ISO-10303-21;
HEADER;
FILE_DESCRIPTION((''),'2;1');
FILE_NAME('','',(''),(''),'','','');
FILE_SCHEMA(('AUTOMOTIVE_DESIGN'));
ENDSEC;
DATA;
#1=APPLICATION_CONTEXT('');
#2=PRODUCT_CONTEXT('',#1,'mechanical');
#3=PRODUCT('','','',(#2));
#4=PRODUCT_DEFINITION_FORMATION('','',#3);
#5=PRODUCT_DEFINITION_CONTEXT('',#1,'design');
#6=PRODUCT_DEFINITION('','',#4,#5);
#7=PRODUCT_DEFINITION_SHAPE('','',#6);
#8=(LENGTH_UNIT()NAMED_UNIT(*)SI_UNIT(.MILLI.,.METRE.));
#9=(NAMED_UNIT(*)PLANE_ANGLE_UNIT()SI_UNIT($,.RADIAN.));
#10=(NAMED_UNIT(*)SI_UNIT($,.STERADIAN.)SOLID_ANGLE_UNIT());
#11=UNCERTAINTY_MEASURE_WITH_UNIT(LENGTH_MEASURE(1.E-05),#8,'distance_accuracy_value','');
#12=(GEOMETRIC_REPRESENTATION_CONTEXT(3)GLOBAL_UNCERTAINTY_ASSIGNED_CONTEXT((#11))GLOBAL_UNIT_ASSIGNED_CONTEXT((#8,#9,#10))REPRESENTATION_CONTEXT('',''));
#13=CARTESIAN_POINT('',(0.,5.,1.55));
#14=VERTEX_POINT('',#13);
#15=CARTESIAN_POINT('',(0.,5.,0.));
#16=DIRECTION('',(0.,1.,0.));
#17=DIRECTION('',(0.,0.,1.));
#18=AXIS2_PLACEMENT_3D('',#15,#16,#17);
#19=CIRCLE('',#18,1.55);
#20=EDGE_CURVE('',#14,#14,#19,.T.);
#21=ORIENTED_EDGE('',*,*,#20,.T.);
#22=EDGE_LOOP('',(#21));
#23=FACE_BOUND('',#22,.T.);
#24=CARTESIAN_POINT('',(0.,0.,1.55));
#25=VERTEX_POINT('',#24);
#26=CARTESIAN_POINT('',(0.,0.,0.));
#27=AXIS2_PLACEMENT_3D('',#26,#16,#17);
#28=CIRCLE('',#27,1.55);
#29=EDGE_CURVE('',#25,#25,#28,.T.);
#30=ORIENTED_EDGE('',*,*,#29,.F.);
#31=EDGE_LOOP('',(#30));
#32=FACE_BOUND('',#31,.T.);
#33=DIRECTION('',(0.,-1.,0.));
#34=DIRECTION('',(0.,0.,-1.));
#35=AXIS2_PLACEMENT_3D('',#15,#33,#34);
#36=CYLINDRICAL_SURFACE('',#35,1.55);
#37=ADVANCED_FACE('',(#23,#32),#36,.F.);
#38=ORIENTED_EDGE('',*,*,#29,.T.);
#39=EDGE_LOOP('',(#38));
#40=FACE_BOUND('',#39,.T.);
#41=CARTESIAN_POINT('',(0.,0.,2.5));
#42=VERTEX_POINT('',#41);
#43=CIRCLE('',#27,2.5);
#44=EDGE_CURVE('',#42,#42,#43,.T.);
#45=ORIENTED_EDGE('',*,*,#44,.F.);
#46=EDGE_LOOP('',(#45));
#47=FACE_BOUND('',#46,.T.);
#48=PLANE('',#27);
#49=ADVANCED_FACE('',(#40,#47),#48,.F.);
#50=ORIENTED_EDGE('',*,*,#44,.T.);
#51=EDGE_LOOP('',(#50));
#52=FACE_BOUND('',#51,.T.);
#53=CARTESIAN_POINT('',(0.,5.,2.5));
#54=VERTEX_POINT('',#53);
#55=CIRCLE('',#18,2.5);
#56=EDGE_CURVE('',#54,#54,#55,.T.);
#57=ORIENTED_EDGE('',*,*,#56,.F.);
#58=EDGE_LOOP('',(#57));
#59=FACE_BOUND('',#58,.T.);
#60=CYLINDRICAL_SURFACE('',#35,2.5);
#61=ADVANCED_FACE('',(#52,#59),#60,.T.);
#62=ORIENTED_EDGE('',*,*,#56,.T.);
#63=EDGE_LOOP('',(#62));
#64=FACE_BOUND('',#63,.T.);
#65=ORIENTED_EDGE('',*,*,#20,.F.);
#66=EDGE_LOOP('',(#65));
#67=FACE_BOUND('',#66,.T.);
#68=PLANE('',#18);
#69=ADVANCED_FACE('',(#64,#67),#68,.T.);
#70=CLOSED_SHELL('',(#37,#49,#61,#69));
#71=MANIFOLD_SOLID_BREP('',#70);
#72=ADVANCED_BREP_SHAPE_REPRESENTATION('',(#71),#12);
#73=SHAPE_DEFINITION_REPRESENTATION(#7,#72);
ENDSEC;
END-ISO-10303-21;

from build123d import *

# Parameters (mm, degrees)
SKETCH_1_R      = 2.5
SKETCH_1_R_2    = 1.55
EXTRUDE_1_DEPTH = 5


with BuildPart() as part:
    # 草图1 → 凸台-拉伸1 (new body)
    with BuildSketch(Plane(origin=(0, 0, 0), x_dir=(1, 0, 0), z_dir=(0, 1, 0))):
        Circle(SKETCH_1_R)
        Circle(SKETCH_1_R_2, mode=Mode.SUBTRACT)
    extrude(amount=EXTRUDE_1_DEPTH)


solid = part.part
